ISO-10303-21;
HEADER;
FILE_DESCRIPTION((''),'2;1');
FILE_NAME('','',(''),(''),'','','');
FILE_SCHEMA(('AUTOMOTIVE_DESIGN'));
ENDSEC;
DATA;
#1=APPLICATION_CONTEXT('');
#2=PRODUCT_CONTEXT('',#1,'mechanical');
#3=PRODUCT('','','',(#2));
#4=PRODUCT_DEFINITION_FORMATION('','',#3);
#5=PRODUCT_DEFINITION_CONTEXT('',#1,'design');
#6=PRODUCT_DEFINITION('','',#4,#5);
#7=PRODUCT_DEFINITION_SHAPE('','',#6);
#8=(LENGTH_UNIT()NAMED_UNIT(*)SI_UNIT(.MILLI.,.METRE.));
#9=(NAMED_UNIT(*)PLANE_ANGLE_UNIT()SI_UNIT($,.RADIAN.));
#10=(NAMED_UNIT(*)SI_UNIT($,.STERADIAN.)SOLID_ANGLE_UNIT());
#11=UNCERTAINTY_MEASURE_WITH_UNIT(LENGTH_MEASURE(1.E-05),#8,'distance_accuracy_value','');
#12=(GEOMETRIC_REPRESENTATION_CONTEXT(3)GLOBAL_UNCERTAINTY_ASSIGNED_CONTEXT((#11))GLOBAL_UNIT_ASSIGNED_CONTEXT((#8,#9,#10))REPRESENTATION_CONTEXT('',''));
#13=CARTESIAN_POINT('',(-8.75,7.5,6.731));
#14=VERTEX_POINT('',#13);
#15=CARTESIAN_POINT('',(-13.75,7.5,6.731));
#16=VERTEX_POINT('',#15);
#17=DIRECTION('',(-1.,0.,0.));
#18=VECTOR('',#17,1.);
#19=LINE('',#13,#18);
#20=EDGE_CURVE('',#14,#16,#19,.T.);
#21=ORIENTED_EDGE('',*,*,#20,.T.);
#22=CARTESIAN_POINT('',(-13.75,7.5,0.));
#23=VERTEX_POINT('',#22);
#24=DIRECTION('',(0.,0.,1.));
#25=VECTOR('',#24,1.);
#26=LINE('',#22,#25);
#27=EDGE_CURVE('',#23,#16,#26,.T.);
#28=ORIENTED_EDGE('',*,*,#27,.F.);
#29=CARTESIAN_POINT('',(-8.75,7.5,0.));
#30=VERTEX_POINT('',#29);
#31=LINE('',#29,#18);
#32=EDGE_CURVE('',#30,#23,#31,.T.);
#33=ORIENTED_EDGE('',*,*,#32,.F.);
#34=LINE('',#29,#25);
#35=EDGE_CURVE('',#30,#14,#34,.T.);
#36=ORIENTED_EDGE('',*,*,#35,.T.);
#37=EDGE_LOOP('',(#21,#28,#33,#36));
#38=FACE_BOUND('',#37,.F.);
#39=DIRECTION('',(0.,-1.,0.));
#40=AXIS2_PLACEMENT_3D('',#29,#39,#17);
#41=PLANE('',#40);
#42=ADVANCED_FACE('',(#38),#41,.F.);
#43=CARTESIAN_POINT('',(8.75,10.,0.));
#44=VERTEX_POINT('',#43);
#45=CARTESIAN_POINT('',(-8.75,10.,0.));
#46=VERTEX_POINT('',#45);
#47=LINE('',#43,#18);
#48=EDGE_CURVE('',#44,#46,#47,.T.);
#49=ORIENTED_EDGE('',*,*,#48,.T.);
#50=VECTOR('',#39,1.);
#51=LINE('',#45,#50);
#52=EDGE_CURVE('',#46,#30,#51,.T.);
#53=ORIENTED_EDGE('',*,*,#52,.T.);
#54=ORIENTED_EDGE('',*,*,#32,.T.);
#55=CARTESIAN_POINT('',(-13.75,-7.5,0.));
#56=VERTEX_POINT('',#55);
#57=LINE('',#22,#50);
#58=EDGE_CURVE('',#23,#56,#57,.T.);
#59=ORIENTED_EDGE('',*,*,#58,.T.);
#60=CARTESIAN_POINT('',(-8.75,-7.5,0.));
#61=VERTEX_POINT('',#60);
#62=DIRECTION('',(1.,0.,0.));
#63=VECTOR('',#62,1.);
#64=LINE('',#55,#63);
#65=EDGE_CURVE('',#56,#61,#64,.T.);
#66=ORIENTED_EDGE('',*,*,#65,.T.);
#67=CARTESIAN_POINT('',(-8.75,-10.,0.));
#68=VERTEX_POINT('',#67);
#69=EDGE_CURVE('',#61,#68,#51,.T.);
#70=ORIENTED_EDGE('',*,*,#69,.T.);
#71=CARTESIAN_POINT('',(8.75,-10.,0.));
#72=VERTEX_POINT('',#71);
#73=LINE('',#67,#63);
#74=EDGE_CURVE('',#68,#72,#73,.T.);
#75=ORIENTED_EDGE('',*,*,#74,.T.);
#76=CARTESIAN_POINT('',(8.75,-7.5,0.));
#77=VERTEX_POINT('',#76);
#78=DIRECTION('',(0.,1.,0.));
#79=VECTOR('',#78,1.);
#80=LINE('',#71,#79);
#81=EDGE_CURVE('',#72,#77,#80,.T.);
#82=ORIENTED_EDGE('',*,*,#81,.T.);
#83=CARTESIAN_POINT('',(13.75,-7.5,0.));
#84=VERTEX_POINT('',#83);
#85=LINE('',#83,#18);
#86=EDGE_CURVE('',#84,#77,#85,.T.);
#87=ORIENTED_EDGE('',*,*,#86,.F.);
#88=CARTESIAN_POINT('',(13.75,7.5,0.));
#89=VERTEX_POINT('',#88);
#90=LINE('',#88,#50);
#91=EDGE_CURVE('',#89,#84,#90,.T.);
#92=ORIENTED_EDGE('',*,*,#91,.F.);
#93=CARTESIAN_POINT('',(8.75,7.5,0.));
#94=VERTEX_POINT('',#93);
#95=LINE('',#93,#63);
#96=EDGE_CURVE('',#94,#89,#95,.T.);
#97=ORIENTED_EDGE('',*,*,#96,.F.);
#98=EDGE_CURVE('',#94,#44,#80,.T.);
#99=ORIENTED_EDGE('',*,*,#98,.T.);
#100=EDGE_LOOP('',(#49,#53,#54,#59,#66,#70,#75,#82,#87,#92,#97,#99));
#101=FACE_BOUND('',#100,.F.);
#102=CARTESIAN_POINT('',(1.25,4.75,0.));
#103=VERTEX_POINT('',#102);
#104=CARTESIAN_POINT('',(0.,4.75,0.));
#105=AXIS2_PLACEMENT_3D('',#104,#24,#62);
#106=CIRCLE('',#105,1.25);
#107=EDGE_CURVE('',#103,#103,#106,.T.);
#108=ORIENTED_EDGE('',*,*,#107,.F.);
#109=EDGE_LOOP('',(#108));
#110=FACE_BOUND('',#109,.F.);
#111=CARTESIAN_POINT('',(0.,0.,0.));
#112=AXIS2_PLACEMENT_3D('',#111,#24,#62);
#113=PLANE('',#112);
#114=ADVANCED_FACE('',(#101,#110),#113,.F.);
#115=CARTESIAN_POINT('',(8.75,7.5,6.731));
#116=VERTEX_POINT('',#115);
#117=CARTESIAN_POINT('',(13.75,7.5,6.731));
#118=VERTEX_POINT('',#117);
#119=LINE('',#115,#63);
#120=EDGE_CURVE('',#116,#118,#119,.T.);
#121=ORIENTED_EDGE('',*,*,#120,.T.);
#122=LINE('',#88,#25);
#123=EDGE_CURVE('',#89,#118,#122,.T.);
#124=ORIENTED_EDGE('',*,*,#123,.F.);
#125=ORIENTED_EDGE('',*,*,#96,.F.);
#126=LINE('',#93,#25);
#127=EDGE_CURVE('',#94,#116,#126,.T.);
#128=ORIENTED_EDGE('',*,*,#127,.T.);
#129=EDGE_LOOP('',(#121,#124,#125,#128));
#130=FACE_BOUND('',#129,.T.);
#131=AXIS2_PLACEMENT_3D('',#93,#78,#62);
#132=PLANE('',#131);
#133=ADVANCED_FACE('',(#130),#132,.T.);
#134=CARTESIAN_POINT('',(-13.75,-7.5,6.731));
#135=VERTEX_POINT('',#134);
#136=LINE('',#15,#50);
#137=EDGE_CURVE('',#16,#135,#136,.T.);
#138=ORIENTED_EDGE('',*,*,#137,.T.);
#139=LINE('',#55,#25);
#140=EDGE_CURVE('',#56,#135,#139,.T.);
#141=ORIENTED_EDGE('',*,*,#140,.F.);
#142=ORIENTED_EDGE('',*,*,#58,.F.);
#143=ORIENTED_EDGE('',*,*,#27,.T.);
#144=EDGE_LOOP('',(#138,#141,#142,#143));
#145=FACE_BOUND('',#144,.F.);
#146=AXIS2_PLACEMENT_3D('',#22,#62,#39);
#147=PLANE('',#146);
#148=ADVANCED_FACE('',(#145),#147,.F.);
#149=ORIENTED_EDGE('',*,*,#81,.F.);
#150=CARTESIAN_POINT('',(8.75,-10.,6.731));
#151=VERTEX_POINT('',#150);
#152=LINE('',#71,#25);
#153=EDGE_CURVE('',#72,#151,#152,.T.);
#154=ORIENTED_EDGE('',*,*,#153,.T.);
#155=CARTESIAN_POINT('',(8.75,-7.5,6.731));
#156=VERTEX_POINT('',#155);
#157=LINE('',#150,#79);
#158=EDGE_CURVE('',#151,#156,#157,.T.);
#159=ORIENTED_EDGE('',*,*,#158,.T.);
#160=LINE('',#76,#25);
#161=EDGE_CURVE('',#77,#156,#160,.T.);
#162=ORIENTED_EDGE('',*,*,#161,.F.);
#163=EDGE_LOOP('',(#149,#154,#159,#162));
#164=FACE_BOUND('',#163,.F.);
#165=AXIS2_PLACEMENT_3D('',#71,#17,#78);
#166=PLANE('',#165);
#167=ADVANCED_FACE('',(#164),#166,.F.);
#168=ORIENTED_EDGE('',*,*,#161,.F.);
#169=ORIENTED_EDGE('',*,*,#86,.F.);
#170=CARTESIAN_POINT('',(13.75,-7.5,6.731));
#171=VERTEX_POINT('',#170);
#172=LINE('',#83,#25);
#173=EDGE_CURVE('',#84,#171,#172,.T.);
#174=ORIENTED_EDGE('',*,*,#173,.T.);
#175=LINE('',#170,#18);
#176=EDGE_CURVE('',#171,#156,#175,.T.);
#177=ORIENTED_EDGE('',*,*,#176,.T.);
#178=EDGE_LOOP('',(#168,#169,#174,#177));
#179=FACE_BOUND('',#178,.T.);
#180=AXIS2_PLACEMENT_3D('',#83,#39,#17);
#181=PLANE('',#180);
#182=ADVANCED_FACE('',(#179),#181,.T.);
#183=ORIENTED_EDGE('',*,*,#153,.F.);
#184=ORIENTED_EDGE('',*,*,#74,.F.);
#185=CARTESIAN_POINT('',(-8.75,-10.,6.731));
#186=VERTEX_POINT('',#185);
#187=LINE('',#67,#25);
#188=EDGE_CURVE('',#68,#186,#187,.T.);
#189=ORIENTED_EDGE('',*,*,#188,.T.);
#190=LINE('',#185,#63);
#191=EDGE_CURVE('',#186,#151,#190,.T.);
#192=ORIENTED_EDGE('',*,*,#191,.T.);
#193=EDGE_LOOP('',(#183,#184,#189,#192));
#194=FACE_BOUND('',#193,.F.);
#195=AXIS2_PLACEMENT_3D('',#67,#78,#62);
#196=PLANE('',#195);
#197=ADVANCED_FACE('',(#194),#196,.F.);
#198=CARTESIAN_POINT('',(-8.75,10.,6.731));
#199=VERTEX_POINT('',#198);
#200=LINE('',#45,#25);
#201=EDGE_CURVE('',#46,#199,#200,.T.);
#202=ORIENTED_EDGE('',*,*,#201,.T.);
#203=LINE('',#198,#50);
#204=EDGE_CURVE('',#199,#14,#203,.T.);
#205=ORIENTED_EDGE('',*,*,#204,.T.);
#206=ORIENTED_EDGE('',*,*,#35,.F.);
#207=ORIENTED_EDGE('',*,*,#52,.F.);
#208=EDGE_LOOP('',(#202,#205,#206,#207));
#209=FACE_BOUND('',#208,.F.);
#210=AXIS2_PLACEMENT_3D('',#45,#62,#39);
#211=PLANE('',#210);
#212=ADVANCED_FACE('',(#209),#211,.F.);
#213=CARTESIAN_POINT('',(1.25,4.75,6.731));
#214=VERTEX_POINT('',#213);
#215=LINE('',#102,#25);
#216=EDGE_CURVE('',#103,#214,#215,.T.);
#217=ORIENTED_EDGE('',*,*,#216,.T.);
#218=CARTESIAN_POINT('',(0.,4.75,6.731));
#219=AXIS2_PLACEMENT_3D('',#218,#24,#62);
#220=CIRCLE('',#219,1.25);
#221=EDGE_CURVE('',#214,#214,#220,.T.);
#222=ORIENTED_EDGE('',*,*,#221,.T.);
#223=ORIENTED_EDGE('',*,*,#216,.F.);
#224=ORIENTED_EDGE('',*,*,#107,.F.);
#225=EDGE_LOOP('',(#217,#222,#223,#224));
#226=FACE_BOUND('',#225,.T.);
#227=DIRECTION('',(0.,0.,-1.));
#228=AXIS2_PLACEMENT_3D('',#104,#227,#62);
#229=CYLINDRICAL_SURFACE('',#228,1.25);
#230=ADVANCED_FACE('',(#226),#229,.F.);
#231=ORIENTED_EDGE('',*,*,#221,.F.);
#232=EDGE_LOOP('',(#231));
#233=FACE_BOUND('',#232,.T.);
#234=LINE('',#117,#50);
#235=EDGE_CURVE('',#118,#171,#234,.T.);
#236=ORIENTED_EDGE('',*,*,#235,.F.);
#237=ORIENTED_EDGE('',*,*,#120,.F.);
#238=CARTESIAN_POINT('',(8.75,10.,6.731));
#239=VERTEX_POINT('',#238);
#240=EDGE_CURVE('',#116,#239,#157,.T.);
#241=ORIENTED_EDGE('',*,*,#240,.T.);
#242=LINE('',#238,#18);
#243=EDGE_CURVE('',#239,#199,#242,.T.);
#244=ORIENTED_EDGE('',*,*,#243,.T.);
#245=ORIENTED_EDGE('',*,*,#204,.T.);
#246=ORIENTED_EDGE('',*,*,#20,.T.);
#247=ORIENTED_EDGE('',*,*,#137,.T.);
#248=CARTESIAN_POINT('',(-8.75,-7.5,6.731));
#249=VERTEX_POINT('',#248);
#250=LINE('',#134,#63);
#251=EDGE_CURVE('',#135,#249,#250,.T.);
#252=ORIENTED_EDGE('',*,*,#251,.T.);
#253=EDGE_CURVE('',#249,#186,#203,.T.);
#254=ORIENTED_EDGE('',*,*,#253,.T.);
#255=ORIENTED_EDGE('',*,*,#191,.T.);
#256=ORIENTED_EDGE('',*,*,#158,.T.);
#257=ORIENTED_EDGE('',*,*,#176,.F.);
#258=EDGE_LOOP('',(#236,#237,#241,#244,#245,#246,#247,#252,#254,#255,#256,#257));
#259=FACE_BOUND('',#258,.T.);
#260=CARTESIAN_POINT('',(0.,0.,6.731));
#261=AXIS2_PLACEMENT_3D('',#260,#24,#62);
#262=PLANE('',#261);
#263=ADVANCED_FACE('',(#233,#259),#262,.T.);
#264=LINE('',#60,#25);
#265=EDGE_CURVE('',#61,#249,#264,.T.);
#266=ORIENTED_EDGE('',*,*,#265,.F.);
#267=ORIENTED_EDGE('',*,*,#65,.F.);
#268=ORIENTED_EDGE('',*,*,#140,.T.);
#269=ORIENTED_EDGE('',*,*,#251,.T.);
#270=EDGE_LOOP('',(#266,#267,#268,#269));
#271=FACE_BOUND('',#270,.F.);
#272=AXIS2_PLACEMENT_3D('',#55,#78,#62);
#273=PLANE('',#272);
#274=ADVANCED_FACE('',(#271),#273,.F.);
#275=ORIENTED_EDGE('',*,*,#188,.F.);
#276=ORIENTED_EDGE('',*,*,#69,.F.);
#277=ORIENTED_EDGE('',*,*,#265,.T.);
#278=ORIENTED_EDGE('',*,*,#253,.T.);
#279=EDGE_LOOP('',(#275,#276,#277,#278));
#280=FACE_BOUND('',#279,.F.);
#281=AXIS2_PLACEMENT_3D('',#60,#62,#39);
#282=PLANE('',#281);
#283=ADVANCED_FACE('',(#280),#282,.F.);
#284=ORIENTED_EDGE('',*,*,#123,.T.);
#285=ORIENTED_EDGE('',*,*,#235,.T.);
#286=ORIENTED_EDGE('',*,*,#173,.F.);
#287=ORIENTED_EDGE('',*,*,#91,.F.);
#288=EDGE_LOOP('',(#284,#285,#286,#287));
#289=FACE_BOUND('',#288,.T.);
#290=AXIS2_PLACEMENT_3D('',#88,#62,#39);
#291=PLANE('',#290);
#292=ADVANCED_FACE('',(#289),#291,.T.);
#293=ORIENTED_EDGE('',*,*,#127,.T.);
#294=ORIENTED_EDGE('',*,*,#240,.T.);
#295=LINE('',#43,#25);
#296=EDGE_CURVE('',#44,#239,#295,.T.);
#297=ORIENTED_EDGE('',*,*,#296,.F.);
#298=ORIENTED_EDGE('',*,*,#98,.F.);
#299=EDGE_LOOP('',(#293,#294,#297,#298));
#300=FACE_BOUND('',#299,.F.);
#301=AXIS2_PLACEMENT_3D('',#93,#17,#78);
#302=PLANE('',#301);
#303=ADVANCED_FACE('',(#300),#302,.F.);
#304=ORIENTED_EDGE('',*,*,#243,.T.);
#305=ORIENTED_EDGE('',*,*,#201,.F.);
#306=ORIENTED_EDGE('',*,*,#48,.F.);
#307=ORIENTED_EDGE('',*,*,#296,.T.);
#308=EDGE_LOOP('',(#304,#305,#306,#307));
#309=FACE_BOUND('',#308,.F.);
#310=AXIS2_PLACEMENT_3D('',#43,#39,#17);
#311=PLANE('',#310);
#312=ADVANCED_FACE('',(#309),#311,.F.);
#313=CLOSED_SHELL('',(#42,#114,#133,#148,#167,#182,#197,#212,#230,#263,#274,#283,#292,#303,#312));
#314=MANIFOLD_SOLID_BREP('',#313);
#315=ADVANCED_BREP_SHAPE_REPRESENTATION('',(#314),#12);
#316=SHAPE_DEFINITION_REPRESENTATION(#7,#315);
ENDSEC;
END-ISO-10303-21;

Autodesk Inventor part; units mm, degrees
ref_plane "YZ Plane" through (0, 0, 0) normal (1, 0, 0) x (0, 1, 0)
ref_plane "XZ Plane" through (0, 0, 0) normal (0, 1, 0) x (-1, 0, 0)
ref_plane "XY Plane" through (0, 0, 0) normal (0, 0, 1) x (1, 0, 0)
sketch "Sketch1" plane through (0, 0, 0) normal (0, 0, 1) x (1, 0, 0)
  line L0 (-8.75, -10) -> (8.75, -10)
  line L1 (8.75, -10) -> (8.75, 10)
  line L2 (8.75, 10) -> (-8.75, 10)
  line L3 (-8.75, 10) -> (-8.75, -10)
  line L4 (8.75, 7.5) -> (13.75, 7.5)
  line L5 (13.75, 7.5) -> (13.75, -7.5)
  line L6 (13.75, -7.5) -> (8.75, -7.5)
  line L7 (8.75, -7.5) -> (8.75, 7.5)
  line L8 (-8.75, 7.5) -> (-13.75, 7.5)
  line L9 (-13.75, 7.5) -> (-13.75, -7.5)
  line L10 (-13.75, -7.5) -> (-8.75, -7.5)
  line L11 (-8.75, -7.5) -> (-8.75, 7.5)
  circle A0 centre (0, 4.75) radius 1.25
  point P0 (0, 0)
  point P1 (8.75, 0)
  point P2 (0, 10)
  point P3 (-13.75, 0)
  point P4 (13.75, 0)
  dimension "d0" = 5
  dimension "d1" = 17.5
  dimension "d2" = 20
  dimension "d3" = 15
  dimension "d7" = 8.75
  dimension "d9" = 2.5
  dimension "d10" = 2.5
  dimension "d11" = 4.75
extrude "Extrusion1" add sketch "Sketch1" along normal blind 6.731
equation "\"d7\" = 0.5 * d1"
equation "\"d4\" = THICKB"
equation "\"THICKA\" = 3.175"
equation "\"THICKB\" = 6.731"
equation "\"THICKC\" = 12.7"
equation "\"BALLDIA\" = 12"
equation "\"MAGDIA\" = 9.5"
properties part number "Air2D_Front_Feed"
